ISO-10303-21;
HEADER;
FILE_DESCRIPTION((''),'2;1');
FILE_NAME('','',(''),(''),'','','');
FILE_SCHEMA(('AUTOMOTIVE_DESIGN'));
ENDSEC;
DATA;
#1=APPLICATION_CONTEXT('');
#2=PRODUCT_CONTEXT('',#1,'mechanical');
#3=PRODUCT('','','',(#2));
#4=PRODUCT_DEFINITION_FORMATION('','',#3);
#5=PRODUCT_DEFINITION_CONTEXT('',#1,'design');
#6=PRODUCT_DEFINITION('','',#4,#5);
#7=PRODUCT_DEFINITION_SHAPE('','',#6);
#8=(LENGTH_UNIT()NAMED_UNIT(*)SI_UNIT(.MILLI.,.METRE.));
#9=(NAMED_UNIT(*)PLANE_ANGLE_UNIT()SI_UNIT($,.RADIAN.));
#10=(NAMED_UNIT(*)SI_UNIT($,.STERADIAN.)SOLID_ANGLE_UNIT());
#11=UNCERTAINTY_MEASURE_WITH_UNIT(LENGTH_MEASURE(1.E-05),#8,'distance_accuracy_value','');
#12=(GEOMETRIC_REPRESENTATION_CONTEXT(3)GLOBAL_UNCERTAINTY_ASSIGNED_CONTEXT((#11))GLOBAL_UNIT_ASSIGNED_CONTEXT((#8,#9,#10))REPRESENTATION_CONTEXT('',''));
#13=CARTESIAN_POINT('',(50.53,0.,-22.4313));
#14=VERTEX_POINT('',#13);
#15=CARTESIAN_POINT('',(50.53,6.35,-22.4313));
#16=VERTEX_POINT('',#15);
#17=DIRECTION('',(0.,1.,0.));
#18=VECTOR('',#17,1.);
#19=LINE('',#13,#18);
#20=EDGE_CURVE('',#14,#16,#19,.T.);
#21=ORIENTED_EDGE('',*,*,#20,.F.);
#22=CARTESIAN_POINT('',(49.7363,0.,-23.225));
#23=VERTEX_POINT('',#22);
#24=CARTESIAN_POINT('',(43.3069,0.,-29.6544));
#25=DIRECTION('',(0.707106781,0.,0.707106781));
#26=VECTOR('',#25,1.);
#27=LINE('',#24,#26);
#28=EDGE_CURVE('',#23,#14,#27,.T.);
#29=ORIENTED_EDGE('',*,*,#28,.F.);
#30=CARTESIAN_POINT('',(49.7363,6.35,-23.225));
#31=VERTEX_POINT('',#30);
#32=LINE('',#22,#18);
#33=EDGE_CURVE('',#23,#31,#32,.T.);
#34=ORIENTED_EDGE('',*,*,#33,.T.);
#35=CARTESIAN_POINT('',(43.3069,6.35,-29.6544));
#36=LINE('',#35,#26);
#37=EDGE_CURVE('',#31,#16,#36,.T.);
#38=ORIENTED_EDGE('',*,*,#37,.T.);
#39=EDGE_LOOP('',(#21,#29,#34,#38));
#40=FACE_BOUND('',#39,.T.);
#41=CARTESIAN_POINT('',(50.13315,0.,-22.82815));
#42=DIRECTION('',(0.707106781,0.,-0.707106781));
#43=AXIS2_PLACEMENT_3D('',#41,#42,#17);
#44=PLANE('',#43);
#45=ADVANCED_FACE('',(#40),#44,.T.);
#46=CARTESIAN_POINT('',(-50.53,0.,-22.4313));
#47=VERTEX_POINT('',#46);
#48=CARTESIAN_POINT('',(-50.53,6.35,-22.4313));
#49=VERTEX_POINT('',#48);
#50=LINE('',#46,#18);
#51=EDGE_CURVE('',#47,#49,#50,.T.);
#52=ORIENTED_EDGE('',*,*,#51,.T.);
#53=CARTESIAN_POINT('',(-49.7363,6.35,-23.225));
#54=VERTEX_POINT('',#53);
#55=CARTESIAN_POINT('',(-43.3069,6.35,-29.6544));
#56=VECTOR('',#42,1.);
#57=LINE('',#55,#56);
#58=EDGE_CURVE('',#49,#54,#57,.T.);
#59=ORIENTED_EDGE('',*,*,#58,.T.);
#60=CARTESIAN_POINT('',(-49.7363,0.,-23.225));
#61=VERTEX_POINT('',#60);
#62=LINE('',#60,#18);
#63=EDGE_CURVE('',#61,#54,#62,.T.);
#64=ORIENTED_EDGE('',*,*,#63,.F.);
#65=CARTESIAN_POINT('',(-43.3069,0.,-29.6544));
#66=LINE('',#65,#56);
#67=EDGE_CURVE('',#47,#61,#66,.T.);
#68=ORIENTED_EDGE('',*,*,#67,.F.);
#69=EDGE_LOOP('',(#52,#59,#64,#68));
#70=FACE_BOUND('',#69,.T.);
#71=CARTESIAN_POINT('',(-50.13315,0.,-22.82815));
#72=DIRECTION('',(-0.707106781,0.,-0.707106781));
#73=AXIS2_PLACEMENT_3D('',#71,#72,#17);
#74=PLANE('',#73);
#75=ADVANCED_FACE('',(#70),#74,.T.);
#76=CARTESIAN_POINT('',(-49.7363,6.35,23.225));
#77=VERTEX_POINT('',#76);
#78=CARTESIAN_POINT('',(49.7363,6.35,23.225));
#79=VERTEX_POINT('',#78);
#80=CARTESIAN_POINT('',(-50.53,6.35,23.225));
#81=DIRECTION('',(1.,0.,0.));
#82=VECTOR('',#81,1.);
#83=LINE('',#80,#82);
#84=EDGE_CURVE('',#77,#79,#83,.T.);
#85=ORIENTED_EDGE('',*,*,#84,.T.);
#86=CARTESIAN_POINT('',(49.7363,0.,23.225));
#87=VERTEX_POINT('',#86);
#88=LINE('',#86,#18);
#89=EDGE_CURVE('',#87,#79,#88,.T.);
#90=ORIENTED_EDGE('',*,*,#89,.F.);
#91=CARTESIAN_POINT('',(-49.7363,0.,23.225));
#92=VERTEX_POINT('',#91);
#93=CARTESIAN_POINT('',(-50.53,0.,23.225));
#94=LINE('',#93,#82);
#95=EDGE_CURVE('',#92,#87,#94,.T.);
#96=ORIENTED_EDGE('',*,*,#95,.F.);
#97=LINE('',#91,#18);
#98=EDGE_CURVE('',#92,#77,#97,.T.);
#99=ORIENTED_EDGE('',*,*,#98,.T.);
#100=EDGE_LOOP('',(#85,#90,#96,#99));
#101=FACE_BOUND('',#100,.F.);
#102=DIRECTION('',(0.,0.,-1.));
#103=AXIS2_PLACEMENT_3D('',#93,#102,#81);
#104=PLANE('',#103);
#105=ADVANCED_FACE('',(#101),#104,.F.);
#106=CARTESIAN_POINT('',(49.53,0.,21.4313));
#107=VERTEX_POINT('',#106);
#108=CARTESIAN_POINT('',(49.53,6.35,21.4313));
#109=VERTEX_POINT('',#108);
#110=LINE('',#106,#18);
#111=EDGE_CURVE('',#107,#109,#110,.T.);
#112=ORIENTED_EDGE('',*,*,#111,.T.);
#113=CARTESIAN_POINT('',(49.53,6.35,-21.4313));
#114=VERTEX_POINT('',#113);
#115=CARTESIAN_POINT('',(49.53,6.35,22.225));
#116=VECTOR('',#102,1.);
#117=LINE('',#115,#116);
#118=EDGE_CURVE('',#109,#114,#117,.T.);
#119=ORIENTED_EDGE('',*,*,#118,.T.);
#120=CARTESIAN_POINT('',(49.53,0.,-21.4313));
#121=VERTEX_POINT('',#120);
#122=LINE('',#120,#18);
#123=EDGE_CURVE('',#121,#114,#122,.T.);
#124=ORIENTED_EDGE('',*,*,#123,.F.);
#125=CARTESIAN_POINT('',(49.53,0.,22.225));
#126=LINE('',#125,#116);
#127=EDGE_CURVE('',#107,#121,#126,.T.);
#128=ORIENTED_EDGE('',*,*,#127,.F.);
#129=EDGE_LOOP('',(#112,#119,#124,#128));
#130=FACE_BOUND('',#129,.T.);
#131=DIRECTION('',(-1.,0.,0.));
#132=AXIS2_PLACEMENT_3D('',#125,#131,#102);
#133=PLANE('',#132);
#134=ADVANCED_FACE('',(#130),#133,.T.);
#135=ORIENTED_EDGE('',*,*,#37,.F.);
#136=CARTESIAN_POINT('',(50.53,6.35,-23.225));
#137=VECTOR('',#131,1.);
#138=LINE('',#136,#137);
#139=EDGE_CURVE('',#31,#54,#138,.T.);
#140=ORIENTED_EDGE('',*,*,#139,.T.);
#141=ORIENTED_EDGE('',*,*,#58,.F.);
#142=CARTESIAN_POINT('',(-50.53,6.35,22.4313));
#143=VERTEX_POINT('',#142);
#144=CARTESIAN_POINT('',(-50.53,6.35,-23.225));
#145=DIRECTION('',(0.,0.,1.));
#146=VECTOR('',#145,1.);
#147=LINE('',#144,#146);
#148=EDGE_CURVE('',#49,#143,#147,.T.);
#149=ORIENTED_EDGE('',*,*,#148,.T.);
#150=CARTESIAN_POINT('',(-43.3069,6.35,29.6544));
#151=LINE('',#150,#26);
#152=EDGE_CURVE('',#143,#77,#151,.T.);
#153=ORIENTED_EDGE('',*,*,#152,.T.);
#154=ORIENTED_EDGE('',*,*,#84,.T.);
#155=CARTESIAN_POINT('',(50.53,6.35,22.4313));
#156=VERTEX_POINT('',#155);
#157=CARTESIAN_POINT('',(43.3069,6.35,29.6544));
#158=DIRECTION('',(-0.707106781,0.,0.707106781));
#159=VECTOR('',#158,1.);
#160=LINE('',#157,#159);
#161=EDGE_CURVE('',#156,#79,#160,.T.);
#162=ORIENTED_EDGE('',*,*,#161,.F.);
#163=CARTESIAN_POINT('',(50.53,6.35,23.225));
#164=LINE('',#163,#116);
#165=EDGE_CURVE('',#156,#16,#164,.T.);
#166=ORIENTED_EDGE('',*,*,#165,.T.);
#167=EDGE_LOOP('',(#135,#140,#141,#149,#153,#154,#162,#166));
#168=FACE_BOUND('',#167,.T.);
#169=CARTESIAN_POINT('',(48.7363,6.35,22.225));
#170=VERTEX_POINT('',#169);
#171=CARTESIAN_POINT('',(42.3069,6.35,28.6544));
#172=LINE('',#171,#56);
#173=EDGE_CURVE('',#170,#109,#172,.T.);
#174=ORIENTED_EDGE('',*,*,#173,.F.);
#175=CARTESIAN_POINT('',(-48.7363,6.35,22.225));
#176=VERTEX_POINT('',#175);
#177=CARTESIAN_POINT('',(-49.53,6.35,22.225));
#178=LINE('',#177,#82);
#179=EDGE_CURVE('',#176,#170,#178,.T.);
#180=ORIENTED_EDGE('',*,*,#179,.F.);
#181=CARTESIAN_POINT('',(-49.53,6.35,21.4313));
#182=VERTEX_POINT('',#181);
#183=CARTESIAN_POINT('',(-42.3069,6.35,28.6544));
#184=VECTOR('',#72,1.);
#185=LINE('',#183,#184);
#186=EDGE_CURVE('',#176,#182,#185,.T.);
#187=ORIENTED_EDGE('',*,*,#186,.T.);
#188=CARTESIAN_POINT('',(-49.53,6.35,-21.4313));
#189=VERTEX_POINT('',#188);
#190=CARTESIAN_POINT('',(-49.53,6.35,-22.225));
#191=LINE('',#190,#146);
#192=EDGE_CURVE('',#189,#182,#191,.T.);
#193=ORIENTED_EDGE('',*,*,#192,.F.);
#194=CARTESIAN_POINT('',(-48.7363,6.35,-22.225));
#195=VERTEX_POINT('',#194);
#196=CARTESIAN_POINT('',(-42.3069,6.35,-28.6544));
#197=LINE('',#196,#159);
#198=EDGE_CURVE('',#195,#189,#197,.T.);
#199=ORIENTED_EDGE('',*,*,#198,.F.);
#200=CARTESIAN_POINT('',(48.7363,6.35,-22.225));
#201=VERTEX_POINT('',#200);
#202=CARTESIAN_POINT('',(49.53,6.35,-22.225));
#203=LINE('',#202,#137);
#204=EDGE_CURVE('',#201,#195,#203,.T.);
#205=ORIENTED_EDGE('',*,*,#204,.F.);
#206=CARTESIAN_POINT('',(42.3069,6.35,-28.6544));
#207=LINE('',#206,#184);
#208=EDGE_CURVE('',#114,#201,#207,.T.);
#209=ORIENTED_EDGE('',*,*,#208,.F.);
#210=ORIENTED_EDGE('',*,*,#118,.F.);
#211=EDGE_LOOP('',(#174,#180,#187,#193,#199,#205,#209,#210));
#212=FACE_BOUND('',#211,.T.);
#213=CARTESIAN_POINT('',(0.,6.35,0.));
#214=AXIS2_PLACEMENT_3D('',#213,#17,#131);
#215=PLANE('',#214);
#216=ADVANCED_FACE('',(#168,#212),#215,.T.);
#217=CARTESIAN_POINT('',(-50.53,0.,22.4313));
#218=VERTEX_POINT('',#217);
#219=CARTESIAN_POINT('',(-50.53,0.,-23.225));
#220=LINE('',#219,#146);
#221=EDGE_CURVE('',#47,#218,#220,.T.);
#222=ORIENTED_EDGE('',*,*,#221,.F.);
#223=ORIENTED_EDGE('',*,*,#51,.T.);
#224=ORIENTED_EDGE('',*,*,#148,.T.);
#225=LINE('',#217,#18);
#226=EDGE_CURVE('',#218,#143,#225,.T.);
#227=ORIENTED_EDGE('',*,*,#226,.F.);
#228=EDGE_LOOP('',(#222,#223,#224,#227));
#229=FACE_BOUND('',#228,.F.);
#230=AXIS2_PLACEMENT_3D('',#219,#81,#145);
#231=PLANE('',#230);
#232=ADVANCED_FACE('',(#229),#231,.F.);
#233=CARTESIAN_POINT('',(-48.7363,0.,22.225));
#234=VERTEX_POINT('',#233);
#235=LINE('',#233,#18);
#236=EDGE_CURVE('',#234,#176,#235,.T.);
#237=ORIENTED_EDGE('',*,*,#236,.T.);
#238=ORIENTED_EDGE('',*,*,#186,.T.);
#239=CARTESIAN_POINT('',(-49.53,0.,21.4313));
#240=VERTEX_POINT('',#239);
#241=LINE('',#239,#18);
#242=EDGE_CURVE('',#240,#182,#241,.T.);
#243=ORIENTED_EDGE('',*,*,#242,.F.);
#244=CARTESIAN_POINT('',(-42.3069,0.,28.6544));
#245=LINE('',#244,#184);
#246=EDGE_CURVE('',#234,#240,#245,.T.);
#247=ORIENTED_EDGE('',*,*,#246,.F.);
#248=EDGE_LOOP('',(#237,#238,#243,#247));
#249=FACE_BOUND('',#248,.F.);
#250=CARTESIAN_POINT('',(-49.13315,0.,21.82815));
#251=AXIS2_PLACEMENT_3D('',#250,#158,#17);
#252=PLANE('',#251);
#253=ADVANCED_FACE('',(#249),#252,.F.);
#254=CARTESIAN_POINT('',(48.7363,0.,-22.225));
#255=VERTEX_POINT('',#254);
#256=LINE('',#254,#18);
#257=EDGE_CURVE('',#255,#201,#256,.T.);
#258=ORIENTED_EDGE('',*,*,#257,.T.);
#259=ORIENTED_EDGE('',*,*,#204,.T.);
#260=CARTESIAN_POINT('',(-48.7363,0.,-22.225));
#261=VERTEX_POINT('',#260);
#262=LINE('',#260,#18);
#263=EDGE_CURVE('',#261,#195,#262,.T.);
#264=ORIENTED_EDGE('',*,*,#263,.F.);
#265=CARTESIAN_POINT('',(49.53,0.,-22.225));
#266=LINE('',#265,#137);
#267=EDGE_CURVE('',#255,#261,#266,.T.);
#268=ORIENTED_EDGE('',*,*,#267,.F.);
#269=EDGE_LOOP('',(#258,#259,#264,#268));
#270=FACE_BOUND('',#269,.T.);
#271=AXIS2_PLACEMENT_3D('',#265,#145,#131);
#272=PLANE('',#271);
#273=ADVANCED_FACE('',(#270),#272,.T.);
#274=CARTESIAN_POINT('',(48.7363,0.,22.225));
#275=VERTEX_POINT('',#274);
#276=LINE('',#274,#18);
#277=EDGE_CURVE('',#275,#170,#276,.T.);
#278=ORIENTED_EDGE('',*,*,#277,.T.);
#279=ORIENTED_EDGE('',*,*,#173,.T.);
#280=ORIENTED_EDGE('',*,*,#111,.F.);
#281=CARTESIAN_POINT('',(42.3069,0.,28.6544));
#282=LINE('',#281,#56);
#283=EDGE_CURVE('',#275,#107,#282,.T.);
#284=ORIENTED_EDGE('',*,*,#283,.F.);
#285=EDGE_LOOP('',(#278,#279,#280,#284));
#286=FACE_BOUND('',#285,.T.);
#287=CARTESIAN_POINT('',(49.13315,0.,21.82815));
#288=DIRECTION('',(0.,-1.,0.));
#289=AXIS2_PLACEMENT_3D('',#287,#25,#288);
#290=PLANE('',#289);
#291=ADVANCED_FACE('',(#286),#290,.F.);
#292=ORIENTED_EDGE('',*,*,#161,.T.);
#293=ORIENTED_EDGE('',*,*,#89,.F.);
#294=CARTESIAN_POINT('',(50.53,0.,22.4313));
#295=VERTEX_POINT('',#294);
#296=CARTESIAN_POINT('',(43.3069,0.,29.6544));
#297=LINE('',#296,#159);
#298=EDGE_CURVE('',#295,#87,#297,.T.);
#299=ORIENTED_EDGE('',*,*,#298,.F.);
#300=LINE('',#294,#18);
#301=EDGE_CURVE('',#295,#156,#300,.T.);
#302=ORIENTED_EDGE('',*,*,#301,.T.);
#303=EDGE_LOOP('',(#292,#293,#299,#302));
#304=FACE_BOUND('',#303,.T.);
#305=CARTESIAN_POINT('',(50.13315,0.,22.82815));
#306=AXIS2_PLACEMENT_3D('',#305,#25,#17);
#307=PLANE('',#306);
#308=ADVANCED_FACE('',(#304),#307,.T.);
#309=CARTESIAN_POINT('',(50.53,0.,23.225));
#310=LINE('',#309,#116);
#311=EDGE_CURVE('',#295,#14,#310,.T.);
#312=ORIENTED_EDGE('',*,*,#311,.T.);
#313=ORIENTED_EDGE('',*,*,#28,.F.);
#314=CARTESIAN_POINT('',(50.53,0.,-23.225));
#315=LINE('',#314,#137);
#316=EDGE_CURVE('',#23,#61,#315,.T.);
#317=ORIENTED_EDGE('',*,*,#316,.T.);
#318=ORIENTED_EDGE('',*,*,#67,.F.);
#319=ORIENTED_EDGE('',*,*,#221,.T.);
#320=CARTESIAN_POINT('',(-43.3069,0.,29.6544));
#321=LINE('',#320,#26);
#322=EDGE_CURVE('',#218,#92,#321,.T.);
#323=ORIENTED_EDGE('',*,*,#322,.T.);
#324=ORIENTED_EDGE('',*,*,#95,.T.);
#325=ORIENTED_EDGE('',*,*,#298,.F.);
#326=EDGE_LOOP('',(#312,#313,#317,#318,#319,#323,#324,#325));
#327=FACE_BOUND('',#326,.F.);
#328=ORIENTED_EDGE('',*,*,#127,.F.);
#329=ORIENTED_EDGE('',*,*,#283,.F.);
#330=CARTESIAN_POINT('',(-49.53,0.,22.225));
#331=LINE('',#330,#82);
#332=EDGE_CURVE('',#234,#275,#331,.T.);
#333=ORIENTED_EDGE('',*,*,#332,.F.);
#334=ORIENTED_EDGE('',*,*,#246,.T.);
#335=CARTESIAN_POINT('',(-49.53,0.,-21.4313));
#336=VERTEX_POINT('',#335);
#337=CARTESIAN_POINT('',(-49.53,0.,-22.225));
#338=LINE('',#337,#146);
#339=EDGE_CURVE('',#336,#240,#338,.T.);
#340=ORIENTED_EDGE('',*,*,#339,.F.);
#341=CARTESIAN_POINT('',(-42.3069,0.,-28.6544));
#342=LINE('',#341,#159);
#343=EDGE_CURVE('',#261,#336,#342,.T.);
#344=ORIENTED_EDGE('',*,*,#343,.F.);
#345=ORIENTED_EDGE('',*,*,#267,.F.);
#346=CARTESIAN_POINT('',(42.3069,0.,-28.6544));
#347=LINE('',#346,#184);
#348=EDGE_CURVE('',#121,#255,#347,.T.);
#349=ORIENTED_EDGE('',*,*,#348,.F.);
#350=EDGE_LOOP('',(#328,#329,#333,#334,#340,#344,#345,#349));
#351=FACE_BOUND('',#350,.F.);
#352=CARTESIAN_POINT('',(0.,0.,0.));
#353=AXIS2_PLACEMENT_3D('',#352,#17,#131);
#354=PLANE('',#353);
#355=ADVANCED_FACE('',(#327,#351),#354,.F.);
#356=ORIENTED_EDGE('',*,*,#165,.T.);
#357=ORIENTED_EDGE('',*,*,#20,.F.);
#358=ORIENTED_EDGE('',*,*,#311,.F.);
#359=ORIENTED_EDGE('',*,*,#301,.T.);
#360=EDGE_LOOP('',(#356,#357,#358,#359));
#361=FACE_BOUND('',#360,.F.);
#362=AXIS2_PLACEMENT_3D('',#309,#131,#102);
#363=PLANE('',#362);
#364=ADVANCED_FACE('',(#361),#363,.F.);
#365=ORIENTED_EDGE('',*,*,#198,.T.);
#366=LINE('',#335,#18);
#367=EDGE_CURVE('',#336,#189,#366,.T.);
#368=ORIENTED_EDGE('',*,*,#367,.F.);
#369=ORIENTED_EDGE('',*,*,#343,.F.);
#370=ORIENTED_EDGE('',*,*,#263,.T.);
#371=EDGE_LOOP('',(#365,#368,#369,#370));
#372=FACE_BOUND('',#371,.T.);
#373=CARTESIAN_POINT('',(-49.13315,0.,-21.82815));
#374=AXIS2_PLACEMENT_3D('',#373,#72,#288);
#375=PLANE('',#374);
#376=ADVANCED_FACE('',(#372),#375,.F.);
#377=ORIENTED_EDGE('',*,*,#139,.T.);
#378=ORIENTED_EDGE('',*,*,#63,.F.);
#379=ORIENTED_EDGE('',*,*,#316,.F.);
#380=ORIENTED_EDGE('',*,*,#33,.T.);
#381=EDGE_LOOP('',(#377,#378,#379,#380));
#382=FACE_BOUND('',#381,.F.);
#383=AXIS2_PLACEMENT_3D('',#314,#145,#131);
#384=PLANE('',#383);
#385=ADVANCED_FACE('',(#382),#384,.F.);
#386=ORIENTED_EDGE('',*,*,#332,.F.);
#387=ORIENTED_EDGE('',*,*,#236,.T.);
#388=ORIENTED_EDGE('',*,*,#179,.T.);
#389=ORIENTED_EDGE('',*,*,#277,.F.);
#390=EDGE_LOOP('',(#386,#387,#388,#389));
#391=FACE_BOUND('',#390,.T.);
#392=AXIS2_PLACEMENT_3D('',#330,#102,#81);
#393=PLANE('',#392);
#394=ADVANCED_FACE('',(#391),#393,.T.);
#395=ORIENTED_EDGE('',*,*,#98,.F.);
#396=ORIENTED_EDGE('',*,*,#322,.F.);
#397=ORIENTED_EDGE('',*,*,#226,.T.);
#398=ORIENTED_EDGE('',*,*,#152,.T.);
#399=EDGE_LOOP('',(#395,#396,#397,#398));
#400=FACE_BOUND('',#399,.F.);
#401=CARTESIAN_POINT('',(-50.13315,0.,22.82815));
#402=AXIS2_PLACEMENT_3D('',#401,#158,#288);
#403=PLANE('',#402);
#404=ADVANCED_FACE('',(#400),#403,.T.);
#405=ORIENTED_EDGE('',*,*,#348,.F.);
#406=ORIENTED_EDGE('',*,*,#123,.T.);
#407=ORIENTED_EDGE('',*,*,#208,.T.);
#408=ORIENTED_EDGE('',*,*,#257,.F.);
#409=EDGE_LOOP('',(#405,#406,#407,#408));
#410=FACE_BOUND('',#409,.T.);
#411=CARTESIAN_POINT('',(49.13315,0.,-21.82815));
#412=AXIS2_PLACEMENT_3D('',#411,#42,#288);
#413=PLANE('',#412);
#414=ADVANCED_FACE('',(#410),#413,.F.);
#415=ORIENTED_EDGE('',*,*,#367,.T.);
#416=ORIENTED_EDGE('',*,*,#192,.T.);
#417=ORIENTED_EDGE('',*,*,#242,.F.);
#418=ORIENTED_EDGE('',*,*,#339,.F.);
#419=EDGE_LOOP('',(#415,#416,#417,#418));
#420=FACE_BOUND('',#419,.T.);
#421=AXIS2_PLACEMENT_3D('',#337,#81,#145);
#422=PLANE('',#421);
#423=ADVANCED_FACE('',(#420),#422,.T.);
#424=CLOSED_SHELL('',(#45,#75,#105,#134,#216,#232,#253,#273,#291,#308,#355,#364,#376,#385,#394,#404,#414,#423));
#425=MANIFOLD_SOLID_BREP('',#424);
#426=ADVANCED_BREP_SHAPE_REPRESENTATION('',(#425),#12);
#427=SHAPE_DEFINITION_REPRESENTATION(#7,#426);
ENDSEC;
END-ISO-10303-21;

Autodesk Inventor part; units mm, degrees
ref_plane "YZ Plane" through (0, 0, 0) normal (1, 0, 0) x (0, 1, 0)
ref_plane "XZ Plane" through (0, 0, 0) normal (0, 1, 0) x (-1, 0, 0)
ref_plane "XY Plane" through (0, 0, 0) normal (0, 0, 1) x (1, 0, 0)
sketch "Sketch1" plane through (0, 0, 0) normal (0, 1, 0) x (-1, 0, 0)
  line L0 (49.53, 22.225) -> (-49.53, 22.225)
  line L1 (-49.53, 22.225) -> (-49.53, -22.225)
  line L2 (-49.53, -22.225) -> (49.53, -22.225)
  line L3 (49.53, -22.225) -> (49.53, 22.225)
  line L4 (49.53, 22.225) -> (-49.53, -22.225) construction
  line L5 (-49.53, 22.225) -> (49.53, -22.225) construction
  line L6 (50.53, 23.225) -> (-50.53, 23.225)
  line L7 (-50.53, 23.225) -> (-50.53, -23.225)
  line L8 (-50.53, -23.225) -> (50.53, -23.225)
  line L9 (50.53, -23.225) -> (50.53, 23.225)
  point P0 (0, 0)
  dimension "d0" = 44.45
  dimension "d1" = 99.06
  dimension "d2" = 1
extrude "Extrusion1" add sketch "Sketch1" along normal blind 6.35
chamfer "Chamfer1" distance 0.7937 angle 45 8 edges at (-50.53, 3.175, -23.225) (-49.53, 3.175, -22.225) (-49.53, 3.175, 22.225) (-50.53, 3.175, 23.225) (50.53, 3.175, -23.225) (49.53, 3.175, -22.225) (49.53, 3.175, 22.225) (50.53, 3.175, 23.225)
properties part number "band 18t" material "Rubber"
